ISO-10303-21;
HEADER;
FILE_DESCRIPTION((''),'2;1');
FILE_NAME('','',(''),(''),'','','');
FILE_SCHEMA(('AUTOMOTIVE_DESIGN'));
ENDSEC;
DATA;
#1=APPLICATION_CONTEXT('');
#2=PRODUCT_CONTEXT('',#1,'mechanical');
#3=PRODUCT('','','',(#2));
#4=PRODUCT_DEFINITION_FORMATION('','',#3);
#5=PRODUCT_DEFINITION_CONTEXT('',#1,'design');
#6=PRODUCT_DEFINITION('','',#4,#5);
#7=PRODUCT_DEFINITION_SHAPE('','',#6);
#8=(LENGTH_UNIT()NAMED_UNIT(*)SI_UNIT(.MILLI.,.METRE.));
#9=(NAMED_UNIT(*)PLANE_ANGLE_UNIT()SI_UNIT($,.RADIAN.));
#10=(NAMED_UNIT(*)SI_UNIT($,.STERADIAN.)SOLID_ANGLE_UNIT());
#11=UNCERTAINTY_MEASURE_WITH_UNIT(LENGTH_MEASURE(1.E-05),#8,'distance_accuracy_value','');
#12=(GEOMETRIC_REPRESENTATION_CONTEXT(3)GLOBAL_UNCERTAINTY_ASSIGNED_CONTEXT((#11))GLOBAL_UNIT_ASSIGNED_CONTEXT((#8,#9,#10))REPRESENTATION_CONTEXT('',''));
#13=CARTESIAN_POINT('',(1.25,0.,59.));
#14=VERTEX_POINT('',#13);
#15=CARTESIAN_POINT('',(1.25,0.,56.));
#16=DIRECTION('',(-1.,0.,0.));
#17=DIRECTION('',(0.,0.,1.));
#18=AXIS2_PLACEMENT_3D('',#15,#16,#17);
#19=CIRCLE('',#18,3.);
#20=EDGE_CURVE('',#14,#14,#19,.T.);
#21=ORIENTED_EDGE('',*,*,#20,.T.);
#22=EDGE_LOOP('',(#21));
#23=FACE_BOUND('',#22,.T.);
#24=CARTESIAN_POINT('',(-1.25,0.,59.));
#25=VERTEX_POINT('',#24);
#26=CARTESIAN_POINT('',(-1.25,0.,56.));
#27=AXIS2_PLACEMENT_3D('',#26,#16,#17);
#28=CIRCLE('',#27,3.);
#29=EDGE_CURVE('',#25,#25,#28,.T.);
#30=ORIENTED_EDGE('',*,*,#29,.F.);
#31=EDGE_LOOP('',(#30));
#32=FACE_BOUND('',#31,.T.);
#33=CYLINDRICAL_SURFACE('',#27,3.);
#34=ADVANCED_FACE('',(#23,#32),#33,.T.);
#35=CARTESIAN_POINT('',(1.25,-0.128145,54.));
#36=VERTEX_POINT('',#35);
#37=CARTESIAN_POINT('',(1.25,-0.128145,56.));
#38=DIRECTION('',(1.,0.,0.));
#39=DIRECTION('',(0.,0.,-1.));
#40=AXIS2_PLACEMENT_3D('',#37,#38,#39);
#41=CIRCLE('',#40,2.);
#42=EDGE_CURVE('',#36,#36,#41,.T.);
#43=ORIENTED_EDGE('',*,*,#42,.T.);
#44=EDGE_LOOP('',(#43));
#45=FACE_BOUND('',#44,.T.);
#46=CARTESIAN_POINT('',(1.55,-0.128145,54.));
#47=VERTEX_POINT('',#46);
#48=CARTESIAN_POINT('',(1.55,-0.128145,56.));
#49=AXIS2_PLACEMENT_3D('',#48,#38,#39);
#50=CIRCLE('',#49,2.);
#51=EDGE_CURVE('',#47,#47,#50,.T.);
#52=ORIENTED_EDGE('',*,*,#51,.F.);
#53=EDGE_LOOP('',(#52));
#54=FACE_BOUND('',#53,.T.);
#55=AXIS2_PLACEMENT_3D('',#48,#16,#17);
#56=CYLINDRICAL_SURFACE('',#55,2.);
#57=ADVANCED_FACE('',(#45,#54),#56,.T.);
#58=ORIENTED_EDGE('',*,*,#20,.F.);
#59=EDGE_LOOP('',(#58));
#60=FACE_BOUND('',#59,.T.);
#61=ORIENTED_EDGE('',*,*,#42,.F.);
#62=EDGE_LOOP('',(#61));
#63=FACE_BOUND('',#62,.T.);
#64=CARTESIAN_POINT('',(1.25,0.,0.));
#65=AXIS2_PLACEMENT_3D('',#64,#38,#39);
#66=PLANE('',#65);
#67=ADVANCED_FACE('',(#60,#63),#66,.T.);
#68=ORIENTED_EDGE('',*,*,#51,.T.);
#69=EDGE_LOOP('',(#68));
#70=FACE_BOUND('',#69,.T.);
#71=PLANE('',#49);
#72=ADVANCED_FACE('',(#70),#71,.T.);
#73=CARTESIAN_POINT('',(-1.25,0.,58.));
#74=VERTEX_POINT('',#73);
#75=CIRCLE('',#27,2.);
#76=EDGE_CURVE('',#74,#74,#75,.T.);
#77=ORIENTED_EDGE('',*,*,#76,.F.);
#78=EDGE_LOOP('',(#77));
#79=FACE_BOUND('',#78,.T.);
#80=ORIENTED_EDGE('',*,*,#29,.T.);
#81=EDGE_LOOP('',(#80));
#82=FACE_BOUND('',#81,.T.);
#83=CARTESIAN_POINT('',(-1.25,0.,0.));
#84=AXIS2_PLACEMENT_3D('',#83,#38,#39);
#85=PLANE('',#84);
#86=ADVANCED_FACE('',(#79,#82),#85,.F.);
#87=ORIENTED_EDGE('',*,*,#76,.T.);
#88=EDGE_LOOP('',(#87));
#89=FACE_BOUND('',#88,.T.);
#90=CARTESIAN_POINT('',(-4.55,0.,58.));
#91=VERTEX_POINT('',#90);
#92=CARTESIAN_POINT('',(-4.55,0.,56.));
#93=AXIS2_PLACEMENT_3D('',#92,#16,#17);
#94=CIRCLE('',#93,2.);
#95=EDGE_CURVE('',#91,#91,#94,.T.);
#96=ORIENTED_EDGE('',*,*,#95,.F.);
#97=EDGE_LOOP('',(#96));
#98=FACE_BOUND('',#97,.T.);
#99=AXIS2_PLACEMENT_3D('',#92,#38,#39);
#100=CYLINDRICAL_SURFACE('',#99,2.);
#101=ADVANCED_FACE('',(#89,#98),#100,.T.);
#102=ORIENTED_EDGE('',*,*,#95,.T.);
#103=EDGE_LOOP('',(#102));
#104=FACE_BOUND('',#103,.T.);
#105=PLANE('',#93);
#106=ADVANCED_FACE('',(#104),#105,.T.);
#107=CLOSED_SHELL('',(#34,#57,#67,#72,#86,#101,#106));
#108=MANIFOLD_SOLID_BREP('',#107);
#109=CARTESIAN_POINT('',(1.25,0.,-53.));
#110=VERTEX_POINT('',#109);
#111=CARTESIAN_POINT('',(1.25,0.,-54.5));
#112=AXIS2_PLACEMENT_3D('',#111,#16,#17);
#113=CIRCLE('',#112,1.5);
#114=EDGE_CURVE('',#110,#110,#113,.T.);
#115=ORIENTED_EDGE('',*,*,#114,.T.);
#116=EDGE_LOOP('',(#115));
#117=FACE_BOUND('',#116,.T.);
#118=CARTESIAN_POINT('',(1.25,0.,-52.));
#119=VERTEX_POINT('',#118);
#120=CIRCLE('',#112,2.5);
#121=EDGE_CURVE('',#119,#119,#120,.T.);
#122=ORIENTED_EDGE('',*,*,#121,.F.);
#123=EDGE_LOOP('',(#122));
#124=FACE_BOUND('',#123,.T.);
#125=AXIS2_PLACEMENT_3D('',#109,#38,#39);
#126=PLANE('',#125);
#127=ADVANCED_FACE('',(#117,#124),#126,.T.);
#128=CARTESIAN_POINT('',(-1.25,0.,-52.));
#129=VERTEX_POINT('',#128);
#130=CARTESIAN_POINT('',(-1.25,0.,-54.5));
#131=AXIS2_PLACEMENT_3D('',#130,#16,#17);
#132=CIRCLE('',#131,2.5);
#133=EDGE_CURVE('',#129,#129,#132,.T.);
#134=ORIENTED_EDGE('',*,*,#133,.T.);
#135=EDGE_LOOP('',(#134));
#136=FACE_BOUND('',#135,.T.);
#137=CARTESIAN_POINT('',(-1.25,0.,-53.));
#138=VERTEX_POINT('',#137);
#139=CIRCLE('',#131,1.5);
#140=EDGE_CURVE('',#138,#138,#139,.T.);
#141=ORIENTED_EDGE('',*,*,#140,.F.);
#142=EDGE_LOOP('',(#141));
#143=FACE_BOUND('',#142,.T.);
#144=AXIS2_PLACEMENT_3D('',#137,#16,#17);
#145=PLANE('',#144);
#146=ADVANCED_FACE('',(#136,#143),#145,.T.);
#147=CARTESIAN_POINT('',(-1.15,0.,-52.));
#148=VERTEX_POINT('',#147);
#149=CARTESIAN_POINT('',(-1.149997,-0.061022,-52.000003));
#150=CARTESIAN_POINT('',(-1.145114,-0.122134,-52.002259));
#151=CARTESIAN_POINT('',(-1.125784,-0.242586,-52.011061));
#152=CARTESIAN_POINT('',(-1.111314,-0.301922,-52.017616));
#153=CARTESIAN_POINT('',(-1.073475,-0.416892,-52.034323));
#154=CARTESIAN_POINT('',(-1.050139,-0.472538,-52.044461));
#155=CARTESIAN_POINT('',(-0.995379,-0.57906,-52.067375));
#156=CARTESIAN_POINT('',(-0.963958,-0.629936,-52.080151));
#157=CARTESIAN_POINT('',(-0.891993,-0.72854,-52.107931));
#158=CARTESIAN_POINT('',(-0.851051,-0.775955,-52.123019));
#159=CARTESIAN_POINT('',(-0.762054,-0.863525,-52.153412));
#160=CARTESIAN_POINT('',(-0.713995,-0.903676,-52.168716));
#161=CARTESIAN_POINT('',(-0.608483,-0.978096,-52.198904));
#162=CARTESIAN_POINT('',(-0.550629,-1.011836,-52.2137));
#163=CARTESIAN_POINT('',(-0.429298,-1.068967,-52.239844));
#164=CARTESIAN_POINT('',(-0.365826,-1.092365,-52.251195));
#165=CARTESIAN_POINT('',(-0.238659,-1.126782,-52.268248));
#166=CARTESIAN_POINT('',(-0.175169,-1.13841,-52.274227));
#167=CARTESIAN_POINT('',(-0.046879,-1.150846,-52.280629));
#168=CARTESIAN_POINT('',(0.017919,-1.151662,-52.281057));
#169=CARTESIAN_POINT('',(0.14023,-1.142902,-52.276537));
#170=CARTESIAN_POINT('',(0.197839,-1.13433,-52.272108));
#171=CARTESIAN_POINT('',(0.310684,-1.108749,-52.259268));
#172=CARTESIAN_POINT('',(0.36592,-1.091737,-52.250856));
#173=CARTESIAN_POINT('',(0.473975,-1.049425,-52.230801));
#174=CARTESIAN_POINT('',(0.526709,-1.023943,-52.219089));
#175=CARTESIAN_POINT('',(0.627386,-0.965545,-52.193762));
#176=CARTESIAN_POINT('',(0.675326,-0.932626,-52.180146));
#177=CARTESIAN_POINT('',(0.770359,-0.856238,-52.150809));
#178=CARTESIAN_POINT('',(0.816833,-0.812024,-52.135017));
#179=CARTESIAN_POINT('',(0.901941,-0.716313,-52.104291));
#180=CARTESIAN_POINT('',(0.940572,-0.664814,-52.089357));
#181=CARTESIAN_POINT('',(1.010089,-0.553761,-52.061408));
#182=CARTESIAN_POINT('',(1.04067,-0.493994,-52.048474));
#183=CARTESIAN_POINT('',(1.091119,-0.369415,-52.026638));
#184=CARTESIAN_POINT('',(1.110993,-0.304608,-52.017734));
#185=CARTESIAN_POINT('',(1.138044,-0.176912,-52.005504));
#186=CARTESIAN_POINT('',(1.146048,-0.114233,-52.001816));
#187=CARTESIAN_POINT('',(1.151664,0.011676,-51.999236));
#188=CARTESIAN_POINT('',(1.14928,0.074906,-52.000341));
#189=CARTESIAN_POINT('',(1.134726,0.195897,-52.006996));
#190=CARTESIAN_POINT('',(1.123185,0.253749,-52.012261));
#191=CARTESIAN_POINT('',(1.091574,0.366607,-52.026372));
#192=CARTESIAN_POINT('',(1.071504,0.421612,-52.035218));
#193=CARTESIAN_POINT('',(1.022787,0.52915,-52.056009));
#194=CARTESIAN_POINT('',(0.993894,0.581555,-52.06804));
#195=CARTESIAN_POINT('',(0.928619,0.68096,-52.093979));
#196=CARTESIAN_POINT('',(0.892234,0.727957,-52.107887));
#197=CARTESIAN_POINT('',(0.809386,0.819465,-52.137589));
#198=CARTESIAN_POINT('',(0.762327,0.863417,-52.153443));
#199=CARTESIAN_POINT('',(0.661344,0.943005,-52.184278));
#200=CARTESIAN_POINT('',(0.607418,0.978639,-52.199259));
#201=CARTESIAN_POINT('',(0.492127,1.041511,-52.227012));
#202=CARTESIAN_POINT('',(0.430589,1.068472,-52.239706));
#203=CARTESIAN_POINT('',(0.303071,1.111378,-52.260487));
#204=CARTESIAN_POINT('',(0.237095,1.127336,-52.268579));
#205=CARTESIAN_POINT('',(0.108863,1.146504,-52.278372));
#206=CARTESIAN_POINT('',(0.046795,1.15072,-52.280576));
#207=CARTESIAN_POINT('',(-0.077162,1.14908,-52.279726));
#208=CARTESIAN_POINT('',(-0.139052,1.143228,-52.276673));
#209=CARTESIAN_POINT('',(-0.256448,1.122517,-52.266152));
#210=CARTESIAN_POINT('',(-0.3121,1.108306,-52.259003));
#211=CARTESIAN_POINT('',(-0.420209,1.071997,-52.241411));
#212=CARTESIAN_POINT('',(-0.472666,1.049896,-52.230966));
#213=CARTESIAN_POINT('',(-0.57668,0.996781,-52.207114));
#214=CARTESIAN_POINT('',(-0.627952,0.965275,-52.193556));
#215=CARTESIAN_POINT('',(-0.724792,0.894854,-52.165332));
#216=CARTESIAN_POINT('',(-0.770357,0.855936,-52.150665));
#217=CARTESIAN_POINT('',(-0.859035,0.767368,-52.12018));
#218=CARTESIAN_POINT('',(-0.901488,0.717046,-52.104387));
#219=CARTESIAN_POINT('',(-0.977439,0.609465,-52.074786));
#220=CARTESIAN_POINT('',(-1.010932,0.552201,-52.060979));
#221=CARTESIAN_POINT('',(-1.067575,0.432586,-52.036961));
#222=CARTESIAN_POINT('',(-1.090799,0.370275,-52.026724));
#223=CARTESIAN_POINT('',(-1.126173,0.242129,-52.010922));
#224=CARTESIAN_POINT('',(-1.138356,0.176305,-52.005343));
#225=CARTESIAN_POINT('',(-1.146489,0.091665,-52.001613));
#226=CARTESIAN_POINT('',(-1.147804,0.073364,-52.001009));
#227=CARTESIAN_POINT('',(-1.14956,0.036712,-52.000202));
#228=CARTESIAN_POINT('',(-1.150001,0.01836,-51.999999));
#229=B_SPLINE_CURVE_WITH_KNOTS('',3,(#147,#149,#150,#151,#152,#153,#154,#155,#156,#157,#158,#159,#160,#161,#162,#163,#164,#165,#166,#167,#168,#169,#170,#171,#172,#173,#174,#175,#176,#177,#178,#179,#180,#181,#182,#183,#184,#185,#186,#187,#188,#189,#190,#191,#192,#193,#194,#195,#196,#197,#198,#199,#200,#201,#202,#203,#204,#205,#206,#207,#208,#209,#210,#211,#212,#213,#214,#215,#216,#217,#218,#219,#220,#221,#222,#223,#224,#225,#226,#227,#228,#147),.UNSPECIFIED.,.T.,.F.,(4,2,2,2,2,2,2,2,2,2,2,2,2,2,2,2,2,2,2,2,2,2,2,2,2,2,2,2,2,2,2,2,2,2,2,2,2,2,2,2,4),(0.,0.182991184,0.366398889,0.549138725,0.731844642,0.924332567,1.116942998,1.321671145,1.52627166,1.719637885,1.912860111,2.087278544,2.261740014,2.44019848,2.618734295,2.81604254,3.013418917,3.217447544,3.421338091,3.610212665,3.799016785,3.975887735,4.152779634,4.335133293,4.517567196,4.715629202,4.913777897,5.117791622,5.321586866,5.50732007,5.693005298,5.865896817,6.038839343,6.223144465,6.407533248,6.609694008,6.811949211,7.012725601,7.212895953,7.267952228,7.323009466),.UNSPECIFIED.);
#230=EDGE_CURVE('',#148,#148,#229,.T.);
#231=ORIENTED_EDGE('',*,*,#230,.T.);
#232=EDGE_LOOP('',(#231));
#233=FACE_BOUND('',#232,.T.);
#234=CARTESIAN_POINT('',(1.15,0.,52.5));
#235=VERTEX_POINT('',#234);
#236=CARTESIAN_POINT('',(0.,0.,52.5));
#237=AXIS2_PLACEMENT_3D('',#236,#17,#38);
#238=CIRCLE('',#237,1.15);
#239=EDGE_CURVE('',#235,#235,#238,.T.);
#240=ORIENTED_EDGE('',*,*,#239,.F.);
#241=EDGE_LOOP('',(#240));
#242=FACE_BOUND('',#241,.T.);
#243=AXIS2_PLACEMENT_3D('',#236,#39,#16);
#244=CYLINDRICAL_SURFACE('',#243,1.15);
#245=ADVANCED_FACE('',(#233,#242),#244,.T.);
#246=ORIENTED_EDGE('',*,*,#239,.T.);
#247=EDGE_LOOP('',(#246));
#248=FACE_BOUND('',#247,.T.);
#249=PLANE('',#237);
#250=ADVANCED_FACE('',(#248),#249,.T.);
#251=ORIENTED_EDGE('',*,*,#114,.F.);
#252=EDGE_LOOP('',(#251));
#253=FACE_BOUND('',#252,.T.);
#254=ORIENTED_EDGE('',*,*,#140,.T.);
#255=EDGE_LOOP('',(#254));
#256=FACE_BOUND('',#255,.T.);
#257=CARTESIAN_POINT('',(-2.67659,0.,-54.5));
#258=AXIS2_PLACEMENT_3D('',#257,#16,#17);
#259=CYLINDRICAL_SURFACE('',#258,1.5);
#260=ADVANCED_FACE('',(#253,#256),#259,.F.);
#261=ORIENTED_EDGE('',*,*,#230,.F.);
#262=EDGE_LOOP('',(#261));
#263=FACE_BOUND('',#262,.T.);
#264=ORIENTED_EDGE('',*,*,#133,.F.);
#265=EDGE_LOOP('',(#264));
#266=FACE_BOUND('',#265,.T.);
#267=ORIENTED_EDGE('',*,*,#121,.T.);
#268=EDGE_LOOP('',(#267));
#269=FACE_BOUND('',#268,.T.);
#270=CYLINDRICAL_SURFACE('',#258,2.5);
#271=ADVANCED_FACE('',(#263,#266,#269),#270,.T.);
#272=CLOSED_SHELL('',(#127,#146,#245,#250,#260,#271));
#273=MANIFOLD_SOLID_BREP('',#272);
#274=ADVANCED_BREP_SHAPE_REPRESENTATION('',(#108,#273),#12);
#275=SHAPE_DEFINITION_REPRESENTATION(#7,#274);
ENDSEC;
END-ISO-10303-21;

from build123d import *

# Parameters (mm, degrees)
SKETCH1_R           = 1.15
BOSS_EXTRUDE1_DEPTH = 52.5
SKETCH2_W           = 2.5
SKETCH2_H           = 1
SKETCH6_W           = 2.5
SKETCH6_H           = 3
SKETCH8_R           = 2
BOSS_EXTRUDE3_DEPTH = 3.3
SKETCH12_R          = 2
BOSS_EXTRUDE4_DEPTH = 0.3


with BuildPart() as part:
    # Sketch1 → Boss-Extrude1 (new, symmetric)
    with BuildSketch(Plane.XY):
        Circle(SKETCH1_R)
    extrude(amount=BOSS_EXTRUDE1_DEPTH, both=True)

    # Sketch2 → Revolve1 (revolve)
    with BuildSketch(Plane(origin=(0, 0, 0), x_dir=(1, 0, 0), z_dir=(0, 1, 0))):
        with Locations((0, 52.5)):
            Rectangle(SKETCH2_W, SKETCH2_H)
    revolve(axis=Axis((-2.676590035, 0, -54.5), (1, 0, 0)))


with BuildPart() as body_2:
    # Sketch6 → Revolve2 (revolve)
    with BuildSketch(Plane(origin=(0, 0, 0), x_dir=(1, 0, 0), z_dir=(0, 1, 0)), mode=Mode.PRIVATE) as revolve2_sk:
        with Locations((0, -54.5)):
            Rectangle(SKETCH6_W, SKETCH6_H)
    revolve(revolve2_sk.sketch.rotate(Axis((-1.25, 0, 56), (1, 0, 0)), 180), axis=Axis((-1.25, 0, 56), (1, 0, 0)))

    # Sketch8 → Boss-Extrude3 (add)
    with BuildSketch(Plane.ZY.offset(1.25)):
        with Locations((56, 0)):
            Circle(SKETCH8_R)
    extrude(amount=BOSS_EXTRUDE3_DEPTH)

    # Sketch12 → Boss-Extrude4 (add)
    with BuildSketch(Plane(origin=(1.25, 0, 0), x_dir=(0, 0, -1), z_dir=(1, 0, 0))):
        with Locations((-56, -0.12814495)):
            Circle(SKETCH12_R)
    extrude(amount=BOSS_EXTRUDE4_DEPTH)


solid = Compound([part.part, body_2.part])
